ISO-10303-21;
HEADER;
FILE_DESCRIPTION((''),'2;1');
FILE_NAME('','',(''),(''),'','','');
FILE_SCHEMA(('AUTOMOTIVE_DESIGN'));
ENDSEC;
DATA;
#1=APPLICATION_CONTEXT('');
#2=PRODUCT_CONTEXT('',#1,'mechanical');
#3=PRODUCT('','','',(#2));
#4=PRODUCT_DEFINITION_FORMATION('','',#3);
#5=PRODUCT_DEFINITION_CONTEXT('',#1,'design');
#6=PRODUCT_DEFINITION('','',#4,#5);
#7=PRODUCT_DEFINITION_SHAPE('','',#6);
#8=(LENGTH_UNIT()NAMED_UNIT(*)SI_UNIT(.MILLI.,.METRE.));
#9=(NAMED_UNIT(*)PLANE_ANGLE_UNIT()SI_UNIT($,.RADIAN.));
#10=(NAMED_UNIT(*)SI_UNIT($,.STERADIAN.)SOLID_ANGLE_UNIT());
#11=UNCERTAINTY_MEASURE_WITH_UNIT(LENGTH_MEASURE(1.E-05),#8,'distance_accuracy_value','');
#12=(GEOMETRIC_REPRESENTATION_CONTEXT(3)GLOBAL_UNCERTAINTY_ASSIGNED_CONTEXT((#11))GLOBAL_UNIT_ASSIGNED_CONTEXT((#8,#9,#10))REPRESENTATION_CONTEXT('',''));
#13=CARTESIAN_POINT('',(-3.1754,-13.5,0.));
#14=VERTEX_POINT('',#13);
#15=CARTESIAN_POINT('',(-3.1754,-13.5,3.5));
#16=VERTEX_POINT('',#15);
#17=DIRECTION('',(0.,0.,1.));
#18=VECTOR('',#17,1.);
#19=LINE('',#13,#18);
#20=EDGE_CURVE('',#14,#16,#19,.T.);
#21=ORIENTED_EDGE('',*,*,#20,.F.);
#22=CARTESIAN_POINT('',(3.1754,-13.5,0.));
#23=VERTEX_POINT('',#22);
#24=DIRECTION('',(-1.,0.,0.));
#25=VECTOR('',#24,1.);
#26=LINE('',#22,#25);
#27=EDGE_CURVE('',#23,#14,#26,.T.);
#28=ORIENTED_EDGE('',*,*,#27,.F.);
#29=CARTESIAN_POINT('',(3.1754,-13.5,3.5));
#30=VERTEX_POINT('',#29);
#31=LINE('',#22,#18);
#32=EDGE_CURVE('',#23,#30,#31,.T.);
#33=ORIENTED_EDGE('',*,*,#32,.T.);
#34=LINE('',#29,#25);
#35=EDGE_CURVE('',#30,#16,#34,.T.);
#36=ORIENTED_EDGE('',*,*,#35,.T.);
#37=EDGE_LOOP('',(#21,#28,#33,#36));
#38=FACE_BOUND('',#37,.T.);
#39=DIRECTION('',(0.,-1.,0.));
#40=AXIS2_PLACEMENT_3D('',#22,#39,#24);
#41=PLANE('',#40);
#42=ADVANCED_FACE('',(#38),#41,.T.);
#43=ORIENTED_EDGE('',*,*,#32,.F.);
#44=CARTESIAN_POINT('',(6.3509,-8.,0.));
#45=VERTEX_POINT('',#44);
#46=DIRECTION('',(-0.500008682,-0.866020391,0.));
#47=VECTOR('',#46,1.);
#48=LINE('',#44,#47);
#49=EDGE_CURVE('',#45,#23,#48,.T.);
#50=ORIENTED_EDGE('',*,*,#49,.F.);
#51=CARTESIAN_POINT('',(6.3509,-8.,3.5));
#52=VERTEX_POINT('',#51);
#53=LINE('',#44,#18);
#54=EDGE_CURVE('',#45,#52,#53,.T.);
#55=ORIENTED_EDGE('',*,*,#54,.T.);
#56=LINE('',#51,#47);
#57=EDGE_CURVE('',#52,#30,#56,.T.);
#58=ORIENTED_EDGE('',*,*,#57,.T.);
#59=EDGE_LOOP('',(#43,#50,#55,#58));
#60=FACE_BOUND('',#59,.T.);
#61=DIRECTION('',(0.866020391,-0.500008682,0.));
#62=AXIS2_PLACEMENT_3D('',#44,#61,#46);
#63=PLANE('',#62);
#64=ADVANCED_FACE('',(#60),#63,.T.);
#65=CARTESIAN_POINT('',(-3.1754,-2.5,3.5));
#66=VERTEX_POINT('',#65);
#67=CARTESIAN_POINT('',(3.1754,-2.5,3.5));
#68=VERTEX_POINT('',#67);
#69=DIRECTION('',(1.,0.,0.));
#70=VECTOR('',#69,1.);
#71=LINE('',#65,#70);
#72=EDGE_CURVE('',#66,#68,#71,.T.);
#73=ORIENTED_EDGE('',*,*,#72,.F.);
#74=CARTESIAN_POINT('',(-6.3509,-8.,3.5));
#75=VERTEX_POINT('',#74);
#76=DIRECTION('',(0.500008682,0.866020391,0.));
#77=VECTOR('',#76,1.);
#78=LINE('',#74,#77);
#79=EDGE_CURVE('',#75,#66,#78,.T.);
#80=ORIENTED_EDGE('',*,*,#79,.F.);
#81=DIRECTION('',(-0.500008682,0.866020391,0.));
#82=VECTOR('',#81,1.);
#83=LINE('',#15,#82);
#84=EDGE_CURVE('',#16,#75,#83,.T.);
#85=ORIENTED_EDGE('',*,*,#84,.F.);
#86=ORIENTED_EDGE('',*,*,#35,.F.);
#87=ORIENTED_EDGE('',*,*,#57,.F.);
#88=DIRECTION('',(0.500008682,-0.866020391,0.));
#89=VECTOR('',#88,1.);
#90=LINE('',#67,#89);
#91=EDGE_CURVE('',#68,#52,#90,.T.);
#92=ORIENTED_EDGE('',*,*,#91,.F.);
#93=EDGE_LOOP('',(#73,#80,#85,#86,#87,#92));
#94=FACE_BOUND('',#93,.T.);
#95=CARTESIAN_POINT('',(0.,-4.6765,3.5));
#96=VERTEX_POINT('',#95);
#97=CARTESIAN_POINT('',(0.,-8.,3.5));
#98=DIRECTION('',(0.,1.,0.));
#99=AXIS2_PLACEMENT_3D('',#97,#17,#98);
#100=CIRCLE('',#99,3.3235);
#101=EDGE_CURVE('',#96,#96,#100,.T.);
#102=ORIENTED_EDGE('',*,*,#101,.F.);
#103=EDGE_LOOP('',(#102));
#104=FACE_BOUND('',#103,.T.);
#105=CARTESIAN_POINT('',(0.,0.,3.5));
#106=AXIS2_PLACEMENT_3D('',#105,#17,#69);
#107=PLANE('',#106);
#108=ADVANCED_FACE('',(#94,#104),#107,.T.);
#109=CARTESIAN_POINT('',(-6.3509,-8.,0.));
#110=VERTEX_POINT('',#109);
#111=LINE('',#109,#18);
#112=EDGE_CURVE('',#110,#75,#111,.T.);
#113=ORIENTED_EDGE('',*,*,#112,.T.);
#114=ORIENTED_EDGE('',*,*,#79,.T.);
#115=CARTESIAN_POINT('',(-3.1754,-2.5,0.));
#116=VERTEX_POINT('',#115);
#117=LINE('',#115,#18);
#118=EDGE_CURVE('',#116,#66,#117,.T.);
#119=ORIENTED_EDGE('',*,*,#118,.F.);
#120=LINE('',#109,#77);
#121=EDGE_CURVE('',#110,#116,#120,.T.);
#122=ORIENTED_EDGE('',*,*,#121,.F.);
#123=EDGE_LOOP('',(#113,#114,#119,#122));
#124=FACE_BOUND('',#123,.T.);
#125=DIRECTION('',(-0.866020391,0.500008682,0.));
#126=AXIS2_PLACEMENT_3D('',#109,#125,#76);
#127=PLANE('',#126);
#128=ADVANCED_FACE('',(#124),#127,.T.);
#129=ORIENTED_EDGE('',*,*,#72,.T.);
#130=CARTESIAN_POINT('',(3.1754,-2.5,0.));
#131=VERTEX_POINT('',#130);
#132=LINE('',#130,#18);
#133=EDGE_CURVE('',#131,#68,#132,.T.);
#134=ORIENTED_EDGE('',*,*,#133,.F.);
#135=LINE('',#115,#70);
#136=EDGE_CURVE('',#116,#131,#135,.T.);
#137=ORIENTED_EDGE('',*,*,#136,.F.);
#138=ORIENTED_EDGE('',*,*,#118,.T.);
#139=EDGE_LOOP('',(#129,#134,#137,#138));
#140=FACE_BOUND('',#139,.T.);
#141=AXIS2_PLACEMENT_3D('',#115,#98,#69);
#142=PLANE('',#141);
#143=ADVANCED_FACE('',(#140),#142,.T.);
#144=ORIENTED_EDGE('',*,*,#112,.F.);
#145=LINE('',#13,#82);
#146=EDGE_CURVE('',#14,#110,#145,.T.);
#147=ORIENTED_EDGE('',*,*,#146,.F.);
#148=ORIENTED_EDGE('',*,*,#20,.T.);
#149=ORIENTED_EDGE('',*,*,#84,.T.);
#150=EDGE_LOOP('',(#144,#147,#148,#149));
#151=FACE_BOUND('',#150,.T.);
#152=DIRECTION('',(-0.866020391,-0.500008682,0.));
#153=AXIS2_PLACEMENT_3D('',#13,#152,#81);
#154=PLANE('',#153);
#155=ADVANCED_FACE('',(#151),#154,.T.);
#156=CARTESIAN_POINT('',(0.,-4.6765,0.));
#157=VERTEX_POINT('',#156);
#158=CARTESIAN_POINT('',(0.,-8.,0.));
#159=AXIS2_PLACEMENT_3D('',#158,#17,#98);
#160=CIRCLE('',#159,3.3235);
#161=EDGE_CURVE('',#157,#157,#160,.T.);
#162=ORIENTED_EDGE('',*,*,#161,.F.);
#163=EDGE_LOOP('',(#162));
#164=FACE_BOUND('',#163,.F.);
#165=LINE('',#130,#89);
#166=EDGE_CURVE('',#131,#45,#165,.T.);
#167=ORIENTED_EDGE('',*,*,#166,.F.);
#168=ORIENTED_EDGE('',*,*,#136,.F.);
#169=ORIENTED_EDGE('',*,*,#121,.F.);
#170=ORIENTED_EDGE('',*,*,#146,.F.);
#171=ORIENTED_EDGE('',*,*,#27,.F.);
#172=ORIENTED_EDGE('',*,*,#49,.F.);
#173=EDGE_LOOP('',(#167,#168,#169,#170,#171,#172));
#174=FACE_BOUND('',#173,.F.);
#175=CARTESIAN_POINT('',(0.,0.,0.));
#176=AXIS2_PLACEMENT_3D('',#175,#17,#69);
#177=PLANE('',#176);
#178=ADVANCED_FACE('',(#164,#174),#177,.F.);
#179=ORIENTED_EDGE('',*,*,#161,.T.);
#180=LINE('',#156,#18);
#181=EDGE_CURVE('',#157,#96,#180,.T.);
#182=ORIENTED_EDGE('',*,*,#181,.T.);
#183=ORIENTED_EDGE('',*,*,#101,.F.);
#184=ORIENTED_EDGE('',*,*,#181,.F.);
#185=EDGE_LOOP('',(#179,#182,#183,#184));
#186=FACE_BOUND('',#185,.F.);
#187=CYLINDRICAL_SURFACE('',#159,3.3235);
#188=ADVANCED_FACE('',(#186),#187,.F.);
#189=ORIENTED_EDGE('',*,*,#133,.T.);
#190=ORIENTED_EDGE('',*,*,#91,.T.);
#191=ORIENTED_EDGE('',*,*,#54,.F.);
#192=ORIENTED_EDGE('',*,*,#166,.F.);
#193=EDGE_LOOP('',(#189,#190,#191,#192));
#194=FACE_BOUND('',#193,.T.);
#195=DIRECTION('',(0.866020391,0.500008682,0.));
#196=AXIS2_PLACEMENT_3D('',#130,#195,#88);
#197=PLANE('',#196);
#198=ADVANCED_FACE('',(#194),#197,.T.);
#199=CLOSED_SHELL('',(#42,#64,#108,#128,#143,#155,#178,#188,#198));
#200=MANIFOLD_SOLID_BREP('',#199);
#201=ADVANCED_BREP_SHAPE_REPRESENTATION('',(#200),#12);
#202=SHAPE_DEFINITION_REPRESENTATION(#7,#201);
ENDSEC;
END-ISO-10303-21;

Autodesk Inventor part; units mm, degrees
ref_plane "YZ Plane" through (0, 0, 0) normal (1, 0, 0) x (0, 1, 0)
ref_plane "XZ Plane" through (0, 0, 0) normal (0, 1, 0) x (-1, 0, 0)
ref_plane "XY Plane" through (0, 0, 0) normal (0, 0, 1) x (1, 0, 0)
sketch "Sketch1" plane through (0, 0, 0) normal (0, 0, 1) x (1, 0, 0)
  line L0 (0, 0) -> (0, -16) construction
  line L1 (-3.1754, -13.5) -> (-6.3509, -8)
  line L2 (-6.3509, -8) -> (-3.1754, -2.5)
  line L3 (-3.1754, -2.5) -> (3.1754, -2.5)
  line L4 (3.1754, -2.5) -> (6.3509, -8)
  line L5 (6.3509, -8) -> (3.1754, -13.5)
  line L6 (3.1754, -13.5) -> (-3.1754, -13.5)
  point P0 (0, -8)
  point P1 (0, -2.5)
  point P2 (-4.7631, -5.25)
  dimension "d0" = 11
extrude "Extrusion1" add sketch "Sketch1" along normal blind 3.5
hole "Hole1" at (0, -8, 0) direction (0, 0, 1) diameter 6.647 end through all thread size "M8x1.25" class "6H" standard "ANSI Metric M Profile"
properties part number "HUDSON-1-89A"
